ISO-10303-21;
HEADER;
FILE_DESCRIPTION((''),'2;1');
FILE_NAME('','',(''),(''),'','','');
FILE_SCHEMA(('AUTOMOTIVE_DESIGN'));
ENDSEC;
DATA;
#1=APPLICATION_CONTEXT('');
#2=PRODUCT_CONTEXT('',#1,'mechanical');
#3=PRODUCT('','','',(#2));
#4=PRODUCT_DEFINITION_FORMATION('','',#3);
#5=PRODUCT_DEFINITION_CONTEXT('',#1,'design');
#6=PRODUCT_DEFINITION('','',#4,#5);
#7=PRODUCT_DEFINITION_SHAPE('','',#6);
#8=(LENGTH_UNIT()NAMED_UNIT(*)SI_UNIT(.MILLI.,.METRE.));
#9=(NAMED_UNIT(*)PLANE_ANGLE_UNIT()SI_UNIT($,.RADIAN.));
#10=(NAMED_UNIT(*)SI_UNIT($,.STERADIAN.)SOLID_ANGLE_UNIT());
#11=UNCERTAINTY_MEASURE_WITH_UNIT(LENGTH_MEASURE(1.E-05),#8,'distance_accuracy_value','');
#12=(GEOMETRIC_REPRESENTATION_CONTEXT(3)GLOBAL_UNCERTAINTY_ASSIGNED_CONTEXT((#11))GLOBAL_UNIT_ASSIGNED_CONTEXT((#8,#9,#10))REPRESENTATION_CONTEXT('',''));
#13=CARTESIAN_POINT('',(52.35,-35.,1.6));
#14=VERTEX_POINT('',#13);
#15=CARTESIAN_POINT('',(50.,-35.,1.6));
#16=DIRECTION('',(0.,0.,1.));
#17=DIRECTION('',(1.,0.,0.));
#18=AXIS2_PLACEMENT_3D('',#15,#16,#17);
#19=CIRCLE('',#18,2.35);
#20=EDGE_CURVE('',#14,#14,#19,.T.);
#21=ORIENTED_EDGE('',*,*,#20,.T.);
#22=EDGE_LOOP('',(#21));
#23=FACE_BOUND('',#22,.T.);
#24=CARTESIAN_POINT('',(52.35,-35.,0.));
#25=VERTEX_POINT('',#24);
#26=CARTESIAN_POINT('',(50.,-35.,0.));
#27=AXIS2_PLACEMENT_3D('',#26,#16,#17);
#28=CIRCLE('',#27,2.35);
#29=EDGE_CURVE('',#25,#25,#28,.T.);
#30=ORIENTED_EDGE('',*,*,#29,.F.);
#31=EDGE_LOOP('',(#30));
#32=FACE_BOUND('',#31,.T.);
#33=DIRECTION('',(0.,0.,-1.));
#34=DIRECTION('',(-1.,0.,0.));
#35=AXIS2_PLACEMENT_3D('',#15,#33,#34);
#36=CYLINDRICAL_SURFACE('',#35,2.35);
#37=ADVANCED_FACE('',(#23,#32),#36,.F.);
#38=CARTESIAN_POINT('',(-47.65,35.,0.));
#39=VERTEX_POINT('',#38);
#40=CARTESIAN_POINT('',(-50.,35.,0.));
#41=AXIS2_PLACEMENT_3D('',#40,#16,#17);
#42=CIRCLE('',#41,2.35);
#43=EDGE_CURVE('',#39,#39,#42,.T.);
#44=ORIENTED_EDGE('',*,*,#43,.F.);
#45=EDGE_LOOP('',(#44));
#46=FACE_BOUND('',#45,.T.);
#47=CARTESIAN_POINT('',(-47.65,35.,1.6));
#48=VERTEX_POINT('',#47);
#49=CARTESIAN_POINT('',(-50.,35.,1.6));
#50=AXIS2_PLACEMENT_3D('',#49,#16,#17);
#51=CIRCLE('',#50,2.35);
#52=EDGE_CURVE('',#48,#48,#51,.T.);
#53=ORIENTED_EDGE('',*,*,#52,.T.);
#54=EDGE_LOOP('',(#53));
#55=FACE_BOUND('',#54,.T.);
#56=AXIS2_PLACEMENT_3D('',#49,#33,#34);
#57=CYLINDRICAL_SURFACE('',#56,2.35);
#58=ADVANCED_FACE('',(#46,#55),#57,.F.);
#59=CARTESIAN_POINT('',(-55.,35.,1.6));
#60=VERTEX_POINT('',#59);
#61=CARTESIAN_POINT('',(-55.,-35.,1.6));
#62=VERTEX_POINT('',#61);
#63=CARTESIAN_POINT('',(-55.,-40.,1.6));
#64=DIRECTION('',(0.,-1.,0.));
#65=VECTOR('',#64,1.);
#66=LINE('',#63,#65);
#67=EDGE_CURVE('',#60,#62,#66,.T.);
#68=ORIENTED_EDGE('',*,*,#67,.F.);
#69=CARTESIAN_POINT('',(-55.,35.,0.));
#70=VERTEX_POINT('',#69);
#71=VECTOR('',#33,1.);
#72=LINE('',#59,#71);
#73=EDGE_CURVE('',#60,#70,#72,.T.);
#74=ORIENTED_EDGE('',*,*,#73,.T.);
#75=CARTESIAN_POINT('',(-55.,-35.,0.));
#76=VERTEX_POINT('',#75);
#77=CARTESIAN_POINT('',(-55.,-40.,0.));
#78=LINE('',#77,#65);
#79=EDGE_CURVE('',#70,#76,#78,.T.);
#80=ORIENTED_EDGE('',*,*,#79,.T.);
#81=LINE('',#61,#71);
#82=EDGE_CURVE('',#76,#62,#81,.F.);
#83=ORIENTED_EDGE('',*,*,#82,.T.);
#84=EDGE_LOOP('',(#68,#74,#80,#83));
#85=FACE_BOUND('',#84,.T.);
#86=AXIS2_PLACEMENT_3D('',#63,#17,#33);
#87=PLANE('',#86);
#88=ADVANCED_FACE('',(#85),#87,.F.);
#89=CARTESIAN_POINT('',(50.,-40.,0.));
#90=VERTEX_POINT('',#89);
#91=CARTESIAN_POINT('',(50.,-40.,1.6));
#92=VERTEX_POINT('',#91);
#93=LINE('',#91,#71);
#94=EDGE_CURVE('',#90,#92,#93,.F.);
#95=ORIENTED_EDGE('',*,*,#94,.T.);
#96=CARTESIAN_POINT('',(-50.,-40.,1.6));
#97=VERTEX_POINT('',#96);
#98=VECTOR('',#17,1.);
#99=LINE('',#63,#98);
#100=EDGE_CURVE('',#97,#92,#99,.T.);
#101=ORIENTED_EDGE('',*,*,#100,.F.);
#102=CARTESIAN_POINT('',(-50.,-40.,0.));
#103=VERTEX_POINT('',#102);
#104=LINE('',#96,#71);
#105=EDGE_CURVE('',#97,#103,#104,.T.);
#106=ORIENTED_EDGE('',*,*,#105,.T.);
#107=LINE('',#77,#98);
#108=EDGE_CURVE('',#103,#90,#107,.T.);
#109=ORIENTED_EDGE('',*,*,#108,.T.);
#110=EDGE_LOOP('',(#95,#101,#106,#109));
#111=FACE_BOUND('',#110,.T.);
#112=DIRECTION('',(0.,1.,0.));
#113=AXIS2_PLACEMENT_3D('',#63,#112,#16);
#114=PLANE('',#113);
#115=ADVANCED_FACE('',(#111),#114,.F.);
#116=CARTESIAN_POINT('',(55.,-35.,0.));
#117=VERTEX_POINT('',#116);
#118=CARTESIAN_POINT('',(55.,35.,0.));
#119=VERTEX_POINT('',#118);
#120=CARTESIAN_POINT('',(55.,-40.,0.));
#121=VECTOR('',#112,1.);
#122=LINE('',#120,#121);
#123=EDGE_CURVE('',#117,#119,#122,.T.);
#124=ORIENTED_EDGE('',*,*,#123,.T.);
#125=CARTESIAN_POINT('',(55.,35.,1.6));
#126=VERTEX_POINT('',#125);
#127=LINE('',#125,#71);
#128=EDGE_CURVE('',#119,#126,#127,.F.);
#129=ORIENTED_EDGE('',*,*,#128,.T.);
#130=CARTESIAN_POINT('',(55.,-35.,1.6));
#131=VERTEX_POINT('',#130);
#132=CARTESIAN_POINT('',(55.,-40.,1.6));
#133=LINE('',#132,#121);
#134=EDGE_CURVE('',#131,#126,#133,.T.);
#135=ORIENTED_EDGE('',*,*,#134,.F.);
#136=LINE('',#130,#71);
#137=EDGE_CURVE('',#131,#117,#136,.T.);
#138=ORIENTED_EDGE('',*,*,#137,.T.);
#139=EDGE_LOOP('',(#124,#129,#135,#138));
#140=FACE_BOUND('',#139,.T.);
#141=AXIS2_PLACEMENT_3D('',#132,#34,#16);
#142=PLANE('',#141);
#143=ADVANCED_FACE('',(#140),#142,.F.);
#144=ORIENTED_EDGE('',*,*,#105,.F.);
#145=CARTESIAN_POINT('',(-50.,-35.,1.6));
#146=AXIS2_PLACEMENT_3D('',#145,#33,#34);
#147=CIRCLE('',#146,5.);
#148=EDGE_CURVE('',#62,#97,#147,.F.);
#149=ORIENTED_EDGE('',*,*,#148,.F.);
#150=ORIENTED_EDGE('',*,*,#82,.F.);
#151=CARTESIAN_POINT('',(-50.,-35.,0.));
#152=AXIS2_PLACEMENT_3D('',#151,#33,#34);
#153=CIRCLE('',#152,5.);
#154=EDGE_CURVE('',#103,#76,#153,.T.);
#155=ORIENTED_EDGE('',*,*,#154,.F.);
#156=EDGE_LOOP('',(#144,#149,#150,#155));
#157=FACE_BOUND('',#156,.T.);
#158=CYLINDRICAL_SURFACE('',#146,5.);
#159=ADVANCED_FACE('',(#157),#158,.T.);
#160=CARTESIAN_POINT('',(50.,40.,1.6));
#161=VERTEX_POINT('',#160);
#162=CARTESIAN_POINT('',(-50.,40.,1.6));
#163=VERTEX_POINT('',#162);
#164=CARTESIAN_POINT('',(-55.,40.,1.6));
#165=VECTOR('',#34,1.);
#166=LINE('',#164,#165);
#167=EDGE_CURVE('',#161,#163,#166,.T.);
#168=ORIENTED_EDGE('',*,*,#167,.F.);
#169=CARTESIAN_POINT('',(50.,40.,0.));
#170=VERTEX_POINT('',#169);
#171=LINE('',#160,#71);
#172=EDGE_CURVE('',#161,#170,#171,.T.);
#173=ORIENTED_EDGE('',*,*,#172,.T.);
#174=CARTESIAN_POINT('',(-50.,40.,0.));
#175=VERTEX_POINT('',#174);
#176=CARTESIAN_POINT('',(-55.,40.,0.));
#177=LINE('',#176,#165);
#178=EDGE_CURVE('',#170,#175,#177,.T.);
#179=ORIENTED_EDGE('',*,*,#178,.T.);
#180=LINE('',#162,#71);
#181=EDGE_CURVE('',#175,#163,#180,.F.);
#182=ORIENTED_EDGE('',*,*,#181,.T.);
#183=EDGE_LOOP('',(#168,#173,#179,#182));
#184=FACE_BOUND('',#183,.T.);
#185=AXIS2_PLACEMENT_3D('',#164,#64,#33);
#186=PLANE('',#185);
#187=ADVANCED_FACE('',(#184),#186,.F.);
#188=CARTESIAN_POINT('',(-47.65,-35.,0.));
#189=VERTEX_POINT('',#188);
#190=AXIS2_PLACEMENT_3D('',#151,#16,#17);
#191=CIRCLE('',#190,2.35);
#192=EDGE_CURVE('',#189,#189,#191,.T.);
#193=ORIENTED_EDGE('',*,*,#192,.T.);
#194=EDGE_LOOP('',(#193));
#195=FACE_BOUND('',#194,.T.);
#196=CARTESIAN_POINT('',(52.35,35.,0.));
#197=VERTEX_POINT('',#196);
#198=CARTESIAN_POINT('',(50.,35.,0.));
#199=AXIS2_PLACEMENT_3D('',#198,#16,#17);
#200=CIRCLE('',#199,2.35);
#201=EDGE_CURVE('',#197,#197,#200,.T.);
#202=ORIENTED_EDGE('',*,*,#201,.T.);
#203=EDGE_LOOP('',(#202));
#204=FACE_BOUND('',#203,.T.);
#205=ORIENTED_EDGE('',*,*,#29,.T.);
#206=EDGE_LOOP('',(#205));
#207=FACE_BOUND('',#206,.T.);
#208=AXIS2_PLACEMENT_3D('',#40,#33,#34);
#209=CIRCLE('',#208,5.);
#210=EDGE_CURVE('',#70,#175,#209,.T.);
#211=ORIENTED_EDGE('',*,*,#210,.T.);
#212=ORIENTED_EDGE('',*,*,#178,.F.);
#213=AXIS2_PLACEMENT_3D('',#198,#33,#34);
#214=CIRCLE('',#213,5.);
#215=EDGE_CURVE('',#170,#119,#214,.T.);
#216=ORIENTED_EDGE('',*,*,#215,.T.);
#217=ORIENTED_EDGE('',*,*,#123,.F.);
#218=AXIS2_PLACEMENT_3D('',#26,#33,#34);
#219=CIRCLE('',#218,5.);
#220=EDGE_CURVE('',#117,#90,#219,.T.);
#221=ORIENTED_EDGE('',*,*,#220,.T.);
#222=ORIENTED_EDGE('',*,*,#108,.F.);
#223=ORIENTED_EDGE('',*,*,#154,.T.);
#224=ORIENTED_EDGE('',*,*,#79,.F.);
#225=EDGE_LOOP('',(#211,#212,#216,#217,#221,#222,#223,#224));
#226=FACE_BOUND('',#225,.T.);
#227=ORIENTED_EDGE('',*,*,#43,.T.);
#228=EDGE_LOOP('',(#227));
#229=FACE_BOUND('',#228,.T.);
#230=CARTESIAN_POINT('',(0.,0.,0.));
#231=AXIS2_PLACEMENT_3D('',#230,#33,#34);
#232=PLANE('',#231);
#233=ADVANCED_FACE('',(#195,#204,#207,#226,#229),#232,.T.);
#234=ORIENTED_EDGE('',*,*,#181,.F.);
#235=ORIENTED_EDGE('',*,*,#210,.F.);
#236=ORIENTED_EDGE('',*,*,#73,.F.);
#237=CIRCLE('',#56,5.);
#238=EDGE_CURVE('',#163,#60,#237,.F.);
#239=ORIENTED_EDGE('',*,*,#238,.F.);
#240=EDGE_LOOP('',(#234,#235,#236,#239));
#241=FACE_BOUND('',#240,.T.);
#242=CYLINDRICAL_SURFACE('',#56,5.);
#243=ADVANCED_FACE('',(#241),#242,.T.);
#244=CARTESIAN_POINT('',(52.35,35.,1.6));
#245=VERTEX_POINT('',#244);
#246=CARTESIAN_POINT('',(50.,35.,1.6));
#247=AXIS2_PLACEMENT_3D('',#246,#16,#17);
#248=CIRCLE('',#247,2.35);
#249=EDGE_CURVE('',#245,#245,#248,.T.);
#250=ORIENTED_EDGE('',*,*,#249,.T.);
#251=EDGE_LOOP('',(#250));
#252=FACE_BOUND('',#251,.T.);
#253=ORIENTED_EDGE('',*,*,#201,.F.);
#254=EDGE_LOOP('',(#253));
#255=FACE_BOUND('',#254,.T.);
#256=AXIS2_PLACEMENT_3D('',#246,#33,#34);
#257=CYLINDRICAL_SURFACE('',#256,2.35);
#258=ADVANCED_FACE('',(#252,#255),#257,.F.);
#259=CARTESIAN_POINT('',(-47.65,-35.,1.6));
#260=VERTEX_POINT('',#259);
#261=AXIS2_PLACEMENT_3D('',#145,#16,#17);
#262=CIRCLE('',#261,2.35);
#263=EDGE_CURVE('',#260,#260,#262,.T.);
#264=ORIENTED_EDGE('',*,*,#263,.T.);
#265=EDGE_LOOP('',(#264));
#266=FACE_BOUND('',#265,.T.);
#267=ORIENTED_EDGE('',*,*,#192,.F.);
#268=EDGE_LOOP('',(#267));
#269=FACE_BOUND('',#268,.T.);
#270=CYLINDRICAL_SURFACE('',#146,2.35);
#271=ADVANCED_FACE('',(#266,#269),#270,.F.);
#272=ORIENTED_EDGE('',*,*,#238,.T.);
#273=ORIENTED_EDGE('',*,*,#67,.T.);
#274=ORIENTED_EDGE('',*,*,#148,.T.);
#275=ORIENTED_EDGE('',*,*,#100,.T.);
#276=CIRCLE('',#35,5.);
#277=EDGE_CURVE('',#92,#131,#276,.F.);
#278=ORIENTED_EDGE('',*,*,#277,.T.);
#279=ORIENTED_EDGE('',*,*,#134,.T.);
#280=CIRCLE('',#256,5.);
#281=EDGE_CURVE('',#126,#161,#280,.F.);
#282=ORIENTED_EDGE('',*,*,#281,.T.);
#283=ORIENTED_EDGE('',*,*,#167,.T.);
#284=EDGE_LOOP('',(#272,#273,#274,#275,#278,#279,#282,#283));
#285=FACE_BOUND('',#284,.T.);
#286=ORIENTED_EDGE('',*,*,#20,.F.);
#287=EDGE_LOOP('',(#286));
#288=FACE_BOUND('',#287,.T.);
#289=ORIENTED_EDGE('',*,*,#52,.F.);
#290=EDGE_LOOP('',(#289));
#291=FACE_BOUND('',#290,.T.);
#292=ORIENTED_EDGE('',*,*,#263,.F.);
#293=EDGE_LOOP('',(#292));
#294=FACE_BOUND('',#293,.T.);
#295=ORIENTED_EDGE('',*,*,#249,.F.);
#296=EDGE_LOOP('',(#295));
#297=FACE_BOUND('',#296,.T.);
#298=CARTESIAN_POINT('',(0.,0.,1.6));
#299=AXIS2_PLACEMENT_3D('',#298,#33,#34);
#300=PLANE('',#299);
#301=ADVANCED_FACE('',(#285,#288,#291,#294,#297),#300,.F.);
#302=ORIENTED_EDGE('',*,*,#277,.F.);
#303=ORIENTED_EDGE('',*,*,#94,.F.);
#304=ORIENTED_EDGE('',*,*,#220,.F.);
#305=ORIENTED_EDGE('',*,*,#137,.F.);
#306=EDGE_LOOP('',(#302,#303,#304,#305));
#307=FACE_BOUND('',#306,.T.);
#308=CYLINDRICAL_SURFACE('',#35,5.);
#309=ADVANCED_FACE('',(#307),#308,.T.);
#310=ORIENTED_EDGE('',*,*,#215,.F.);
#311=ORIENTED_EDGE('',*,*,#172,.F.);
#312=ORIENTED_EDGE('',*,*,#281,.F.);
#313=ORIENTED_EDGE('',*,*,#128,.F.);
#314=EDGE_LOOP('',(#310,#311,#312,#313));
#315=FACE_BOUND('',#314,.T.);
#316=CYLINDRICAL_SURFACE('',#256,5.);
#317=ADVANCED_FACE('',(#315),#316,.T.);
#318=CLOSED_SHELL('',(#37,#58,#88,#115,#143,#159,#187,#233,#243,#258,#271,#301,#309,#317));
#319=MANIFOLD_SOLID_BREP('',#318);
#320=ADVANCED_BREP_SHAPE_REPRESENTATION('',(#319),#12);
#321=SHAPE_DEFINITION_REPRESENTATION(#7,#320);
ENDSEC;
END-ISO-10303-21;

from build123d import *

# Parameters (mm, degrees)
SKETCH1_W           = 110
SKETCH1_H           = 80
SKETCH1_R           = 2.35
BOSS_EXTRUDE1_DEPTH = 1.6
FILLET1_R           = 5


with BuildPart() as part:
    # Sketch1 → Boss-Extrude1 (new body)
    with BuildSketch(Plane.XY):
        Rectangle(SKETCH1_W, SKETCH1_H)
        with Locations((50, 35)):
            Circle(SKETCH1_R, mode=Mode.SUBTRACT)
        with Locations((-50, 35)):
            Circle(SKETCH1_R, mode=Mode.SUBTRACT)
        with Locations((-50, -35)):
            Circle(SKETCH1_R, mode=Mode.SUBTRACT)
        with Locations((50, -35)):
            Circle(SKETCH1_R, mode=Mode.SUBTRACT)
    extrude(amount=BOSS_EXTRUDE1_DEPTH)

    # Fillet1
    fillet1_edges = [part.edges().sort_by_distance(p)[0] for p in [
        (55, -40, 0.8),
        (-55, -40, 0.8),
        (-55, 40, 0.8),
        (55, 40, 0.8),
    ]]
    fillet(fillet1_edges, radius=FILLET1_R)


solid = part.part
